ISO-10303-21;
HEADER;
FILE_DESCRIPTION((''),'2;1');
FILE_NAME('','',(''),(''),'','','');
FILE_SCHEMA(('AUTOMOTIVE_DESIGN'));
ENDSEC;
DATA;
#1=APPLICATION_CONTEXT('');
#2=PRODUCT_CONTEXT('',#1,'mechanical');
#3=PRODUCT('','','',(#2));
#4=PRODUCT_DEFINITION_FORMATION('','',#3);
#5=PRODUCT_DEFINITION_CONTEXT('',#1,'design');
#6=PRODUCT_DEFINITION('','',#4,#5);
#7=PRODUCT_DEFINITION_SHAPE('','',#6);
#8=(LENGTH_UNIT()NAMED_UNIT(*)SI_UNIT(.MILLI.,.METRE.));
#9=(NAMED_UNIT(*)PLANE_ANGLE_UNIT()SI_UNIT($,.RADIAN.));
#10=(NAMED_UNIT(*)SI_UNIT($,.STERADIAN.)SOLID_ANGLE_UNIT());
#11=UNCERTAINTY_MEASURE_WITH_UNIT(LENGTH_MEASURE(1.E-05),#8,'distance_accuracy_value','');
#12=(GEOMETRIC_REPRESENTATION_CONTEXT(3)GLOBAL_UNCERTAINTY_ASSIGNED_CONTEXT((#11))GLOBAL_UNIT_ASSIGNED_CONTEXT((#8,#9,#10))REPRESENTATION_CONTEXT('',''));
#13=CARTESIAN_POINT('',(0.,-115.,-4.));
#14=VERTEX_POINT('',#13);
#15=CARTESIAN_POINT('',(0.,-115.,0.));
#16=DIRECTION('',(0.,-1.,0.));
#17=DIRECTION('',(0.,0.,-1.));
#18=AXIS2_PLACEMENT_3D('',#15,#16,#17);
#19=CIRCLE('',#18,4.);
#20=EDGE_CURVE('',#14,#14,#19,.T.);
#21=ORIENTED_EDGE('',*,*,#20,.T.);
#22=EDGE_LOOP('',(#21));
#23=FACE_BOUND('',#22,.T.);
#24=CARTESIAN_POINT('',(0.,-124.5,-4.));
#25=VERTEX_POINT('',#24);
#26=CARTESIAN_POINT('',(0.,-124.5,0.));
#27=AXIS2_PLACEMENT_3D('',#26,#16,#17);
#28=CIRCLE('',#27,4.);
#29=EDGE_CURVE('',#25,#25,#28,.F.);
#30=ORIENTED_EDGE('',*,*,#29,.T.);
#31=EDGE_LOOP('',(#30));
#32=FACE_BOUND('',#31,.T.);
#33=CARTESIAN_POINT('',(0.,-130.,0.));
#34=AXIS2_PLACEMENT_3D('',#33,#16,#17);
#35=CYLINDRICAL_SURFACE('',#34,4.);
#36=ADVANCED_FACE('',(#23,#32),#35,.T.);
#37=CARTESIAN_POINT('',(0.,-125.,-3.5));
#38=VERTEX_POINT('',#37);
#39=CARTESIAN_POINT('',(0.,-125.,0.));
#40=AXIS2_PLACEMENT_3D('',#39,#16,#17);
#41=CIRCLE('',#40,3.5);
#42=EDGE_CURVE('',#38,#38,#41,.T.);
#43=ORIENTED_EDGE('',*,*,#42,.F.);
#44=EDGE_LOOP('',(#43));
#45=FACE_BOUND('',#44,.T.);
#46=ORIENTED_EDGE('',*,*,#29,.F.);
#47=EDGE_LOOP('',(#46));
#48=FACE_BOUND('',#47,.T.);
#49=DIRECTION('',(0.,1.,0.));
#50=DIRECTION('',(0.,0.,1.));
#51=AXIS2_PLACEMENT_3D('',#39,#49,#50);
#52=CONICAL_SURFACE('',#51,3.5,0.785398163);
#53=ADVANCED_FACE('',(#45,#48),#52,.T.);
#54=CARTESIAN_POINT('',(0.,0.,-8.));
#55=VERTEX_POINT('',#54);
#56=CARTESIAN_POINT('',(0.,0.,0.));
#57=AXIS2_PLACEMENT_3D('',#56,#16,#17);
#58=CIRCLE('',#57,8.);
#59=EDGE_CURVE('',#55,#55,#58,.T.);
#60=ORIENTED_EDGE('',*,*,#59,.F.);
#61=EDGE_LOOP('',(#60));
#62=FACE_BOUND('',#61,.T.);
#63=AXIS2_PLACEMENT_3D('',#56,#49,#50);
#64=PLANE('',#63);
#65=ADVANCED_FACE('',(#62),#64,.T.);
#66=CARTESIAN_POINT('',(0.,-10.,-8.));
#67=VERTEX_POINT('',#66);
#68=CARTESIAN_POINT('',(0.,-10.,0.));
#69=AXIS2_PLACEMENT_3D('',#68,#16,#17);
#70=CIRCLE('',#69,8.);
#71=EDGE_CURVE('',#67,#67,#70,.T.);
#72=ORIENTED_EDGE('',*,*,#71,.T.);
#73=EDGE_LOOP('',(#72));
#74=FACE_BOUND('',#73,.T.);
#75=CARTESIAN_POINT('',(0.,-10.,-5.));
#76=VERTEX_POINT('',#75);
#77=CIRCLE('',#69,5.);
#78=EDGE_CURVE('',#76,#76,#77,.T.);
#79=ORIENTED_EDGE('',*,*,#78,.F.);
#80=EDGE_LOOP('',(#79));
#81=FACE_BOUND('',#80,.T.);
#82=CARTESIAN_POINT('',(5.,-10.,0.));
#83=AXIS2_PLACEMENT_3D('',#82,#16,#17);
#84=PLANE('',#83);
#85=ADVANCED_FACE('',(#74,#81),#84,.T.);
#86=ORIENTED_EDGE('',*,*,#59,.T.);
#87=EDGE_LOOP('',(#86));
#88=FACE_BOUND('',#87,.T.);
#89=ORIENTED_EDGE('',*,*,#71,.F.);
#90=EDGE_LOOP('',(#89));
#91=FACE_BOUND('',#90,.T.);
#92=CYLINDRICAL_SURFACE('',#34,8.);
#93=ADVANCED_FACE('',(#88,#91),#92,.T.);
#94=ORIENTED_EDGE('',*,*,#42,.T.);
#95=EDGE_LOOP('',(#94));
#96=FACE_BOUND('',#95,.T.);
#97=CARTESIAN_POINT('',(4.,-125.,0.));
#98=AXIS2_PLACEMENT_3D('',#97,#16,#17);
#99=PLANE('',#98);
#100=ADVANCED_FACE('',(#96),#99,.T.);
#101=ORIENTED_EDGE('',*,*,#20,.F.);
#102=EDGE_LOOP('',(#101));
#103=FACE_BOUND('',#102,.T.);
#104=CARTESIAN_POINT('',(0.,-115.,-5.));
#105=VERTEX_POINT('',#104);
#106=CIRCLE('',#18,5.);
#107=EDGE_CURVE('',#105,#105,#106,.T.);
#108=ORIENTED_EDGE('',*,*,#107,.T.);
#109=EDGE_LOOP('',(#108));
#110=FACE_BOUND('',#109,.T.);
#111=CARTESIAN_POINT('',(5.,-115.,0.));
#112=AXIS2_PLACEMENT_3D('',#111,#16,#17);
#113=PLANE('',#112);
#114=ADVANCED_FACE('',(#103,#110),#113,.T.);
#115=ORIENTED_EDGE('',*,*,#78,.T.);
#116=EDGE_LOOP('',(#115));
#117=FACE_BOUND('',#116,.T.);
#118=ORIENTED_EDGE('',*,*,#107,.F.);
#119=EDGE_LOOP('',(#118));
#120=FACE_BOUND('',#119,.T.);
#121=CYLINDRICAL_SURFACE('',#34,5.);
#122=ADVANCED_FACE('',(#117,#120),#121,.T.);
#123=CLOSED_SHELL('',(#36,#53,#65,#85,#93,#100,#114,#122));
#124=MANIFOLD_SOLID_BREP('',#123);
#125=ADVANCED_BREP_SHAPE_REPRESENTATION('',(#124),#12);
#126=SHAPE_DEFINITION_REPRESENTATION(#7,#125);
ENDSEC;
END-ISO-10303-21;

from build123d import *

# Parameters (mm, degrees)
CHAMFER1_SIZE = 0.5


with BuildPart() as part:
    # Sketch1 → Revolve1 (revolve)
    with BuildSketch(Plane.XY, mode=Mode.PRIVATE) as revolve1_sk:
        Polygon((0, 0), (8, 0), (8, -10), (5, -10), (5, -115), (4, -115), (4, -125), (0, -125), align=None)
    revolve(revolve1_sk.sketch.rotate(Axis((0, -130, 0), (0, 1, 0)), 90), axis=Axis((0, -130, 0), (0, 1, 0)))

    # Chamfer1
    chamfer1_edges = [part.edges().sort_by_distance(p)[0] for p in [
        (0, -125, 4),
    ]]
    chamfer(chamfer1_edges, length=CHAMFER1_SIZE)


solid = part.part
